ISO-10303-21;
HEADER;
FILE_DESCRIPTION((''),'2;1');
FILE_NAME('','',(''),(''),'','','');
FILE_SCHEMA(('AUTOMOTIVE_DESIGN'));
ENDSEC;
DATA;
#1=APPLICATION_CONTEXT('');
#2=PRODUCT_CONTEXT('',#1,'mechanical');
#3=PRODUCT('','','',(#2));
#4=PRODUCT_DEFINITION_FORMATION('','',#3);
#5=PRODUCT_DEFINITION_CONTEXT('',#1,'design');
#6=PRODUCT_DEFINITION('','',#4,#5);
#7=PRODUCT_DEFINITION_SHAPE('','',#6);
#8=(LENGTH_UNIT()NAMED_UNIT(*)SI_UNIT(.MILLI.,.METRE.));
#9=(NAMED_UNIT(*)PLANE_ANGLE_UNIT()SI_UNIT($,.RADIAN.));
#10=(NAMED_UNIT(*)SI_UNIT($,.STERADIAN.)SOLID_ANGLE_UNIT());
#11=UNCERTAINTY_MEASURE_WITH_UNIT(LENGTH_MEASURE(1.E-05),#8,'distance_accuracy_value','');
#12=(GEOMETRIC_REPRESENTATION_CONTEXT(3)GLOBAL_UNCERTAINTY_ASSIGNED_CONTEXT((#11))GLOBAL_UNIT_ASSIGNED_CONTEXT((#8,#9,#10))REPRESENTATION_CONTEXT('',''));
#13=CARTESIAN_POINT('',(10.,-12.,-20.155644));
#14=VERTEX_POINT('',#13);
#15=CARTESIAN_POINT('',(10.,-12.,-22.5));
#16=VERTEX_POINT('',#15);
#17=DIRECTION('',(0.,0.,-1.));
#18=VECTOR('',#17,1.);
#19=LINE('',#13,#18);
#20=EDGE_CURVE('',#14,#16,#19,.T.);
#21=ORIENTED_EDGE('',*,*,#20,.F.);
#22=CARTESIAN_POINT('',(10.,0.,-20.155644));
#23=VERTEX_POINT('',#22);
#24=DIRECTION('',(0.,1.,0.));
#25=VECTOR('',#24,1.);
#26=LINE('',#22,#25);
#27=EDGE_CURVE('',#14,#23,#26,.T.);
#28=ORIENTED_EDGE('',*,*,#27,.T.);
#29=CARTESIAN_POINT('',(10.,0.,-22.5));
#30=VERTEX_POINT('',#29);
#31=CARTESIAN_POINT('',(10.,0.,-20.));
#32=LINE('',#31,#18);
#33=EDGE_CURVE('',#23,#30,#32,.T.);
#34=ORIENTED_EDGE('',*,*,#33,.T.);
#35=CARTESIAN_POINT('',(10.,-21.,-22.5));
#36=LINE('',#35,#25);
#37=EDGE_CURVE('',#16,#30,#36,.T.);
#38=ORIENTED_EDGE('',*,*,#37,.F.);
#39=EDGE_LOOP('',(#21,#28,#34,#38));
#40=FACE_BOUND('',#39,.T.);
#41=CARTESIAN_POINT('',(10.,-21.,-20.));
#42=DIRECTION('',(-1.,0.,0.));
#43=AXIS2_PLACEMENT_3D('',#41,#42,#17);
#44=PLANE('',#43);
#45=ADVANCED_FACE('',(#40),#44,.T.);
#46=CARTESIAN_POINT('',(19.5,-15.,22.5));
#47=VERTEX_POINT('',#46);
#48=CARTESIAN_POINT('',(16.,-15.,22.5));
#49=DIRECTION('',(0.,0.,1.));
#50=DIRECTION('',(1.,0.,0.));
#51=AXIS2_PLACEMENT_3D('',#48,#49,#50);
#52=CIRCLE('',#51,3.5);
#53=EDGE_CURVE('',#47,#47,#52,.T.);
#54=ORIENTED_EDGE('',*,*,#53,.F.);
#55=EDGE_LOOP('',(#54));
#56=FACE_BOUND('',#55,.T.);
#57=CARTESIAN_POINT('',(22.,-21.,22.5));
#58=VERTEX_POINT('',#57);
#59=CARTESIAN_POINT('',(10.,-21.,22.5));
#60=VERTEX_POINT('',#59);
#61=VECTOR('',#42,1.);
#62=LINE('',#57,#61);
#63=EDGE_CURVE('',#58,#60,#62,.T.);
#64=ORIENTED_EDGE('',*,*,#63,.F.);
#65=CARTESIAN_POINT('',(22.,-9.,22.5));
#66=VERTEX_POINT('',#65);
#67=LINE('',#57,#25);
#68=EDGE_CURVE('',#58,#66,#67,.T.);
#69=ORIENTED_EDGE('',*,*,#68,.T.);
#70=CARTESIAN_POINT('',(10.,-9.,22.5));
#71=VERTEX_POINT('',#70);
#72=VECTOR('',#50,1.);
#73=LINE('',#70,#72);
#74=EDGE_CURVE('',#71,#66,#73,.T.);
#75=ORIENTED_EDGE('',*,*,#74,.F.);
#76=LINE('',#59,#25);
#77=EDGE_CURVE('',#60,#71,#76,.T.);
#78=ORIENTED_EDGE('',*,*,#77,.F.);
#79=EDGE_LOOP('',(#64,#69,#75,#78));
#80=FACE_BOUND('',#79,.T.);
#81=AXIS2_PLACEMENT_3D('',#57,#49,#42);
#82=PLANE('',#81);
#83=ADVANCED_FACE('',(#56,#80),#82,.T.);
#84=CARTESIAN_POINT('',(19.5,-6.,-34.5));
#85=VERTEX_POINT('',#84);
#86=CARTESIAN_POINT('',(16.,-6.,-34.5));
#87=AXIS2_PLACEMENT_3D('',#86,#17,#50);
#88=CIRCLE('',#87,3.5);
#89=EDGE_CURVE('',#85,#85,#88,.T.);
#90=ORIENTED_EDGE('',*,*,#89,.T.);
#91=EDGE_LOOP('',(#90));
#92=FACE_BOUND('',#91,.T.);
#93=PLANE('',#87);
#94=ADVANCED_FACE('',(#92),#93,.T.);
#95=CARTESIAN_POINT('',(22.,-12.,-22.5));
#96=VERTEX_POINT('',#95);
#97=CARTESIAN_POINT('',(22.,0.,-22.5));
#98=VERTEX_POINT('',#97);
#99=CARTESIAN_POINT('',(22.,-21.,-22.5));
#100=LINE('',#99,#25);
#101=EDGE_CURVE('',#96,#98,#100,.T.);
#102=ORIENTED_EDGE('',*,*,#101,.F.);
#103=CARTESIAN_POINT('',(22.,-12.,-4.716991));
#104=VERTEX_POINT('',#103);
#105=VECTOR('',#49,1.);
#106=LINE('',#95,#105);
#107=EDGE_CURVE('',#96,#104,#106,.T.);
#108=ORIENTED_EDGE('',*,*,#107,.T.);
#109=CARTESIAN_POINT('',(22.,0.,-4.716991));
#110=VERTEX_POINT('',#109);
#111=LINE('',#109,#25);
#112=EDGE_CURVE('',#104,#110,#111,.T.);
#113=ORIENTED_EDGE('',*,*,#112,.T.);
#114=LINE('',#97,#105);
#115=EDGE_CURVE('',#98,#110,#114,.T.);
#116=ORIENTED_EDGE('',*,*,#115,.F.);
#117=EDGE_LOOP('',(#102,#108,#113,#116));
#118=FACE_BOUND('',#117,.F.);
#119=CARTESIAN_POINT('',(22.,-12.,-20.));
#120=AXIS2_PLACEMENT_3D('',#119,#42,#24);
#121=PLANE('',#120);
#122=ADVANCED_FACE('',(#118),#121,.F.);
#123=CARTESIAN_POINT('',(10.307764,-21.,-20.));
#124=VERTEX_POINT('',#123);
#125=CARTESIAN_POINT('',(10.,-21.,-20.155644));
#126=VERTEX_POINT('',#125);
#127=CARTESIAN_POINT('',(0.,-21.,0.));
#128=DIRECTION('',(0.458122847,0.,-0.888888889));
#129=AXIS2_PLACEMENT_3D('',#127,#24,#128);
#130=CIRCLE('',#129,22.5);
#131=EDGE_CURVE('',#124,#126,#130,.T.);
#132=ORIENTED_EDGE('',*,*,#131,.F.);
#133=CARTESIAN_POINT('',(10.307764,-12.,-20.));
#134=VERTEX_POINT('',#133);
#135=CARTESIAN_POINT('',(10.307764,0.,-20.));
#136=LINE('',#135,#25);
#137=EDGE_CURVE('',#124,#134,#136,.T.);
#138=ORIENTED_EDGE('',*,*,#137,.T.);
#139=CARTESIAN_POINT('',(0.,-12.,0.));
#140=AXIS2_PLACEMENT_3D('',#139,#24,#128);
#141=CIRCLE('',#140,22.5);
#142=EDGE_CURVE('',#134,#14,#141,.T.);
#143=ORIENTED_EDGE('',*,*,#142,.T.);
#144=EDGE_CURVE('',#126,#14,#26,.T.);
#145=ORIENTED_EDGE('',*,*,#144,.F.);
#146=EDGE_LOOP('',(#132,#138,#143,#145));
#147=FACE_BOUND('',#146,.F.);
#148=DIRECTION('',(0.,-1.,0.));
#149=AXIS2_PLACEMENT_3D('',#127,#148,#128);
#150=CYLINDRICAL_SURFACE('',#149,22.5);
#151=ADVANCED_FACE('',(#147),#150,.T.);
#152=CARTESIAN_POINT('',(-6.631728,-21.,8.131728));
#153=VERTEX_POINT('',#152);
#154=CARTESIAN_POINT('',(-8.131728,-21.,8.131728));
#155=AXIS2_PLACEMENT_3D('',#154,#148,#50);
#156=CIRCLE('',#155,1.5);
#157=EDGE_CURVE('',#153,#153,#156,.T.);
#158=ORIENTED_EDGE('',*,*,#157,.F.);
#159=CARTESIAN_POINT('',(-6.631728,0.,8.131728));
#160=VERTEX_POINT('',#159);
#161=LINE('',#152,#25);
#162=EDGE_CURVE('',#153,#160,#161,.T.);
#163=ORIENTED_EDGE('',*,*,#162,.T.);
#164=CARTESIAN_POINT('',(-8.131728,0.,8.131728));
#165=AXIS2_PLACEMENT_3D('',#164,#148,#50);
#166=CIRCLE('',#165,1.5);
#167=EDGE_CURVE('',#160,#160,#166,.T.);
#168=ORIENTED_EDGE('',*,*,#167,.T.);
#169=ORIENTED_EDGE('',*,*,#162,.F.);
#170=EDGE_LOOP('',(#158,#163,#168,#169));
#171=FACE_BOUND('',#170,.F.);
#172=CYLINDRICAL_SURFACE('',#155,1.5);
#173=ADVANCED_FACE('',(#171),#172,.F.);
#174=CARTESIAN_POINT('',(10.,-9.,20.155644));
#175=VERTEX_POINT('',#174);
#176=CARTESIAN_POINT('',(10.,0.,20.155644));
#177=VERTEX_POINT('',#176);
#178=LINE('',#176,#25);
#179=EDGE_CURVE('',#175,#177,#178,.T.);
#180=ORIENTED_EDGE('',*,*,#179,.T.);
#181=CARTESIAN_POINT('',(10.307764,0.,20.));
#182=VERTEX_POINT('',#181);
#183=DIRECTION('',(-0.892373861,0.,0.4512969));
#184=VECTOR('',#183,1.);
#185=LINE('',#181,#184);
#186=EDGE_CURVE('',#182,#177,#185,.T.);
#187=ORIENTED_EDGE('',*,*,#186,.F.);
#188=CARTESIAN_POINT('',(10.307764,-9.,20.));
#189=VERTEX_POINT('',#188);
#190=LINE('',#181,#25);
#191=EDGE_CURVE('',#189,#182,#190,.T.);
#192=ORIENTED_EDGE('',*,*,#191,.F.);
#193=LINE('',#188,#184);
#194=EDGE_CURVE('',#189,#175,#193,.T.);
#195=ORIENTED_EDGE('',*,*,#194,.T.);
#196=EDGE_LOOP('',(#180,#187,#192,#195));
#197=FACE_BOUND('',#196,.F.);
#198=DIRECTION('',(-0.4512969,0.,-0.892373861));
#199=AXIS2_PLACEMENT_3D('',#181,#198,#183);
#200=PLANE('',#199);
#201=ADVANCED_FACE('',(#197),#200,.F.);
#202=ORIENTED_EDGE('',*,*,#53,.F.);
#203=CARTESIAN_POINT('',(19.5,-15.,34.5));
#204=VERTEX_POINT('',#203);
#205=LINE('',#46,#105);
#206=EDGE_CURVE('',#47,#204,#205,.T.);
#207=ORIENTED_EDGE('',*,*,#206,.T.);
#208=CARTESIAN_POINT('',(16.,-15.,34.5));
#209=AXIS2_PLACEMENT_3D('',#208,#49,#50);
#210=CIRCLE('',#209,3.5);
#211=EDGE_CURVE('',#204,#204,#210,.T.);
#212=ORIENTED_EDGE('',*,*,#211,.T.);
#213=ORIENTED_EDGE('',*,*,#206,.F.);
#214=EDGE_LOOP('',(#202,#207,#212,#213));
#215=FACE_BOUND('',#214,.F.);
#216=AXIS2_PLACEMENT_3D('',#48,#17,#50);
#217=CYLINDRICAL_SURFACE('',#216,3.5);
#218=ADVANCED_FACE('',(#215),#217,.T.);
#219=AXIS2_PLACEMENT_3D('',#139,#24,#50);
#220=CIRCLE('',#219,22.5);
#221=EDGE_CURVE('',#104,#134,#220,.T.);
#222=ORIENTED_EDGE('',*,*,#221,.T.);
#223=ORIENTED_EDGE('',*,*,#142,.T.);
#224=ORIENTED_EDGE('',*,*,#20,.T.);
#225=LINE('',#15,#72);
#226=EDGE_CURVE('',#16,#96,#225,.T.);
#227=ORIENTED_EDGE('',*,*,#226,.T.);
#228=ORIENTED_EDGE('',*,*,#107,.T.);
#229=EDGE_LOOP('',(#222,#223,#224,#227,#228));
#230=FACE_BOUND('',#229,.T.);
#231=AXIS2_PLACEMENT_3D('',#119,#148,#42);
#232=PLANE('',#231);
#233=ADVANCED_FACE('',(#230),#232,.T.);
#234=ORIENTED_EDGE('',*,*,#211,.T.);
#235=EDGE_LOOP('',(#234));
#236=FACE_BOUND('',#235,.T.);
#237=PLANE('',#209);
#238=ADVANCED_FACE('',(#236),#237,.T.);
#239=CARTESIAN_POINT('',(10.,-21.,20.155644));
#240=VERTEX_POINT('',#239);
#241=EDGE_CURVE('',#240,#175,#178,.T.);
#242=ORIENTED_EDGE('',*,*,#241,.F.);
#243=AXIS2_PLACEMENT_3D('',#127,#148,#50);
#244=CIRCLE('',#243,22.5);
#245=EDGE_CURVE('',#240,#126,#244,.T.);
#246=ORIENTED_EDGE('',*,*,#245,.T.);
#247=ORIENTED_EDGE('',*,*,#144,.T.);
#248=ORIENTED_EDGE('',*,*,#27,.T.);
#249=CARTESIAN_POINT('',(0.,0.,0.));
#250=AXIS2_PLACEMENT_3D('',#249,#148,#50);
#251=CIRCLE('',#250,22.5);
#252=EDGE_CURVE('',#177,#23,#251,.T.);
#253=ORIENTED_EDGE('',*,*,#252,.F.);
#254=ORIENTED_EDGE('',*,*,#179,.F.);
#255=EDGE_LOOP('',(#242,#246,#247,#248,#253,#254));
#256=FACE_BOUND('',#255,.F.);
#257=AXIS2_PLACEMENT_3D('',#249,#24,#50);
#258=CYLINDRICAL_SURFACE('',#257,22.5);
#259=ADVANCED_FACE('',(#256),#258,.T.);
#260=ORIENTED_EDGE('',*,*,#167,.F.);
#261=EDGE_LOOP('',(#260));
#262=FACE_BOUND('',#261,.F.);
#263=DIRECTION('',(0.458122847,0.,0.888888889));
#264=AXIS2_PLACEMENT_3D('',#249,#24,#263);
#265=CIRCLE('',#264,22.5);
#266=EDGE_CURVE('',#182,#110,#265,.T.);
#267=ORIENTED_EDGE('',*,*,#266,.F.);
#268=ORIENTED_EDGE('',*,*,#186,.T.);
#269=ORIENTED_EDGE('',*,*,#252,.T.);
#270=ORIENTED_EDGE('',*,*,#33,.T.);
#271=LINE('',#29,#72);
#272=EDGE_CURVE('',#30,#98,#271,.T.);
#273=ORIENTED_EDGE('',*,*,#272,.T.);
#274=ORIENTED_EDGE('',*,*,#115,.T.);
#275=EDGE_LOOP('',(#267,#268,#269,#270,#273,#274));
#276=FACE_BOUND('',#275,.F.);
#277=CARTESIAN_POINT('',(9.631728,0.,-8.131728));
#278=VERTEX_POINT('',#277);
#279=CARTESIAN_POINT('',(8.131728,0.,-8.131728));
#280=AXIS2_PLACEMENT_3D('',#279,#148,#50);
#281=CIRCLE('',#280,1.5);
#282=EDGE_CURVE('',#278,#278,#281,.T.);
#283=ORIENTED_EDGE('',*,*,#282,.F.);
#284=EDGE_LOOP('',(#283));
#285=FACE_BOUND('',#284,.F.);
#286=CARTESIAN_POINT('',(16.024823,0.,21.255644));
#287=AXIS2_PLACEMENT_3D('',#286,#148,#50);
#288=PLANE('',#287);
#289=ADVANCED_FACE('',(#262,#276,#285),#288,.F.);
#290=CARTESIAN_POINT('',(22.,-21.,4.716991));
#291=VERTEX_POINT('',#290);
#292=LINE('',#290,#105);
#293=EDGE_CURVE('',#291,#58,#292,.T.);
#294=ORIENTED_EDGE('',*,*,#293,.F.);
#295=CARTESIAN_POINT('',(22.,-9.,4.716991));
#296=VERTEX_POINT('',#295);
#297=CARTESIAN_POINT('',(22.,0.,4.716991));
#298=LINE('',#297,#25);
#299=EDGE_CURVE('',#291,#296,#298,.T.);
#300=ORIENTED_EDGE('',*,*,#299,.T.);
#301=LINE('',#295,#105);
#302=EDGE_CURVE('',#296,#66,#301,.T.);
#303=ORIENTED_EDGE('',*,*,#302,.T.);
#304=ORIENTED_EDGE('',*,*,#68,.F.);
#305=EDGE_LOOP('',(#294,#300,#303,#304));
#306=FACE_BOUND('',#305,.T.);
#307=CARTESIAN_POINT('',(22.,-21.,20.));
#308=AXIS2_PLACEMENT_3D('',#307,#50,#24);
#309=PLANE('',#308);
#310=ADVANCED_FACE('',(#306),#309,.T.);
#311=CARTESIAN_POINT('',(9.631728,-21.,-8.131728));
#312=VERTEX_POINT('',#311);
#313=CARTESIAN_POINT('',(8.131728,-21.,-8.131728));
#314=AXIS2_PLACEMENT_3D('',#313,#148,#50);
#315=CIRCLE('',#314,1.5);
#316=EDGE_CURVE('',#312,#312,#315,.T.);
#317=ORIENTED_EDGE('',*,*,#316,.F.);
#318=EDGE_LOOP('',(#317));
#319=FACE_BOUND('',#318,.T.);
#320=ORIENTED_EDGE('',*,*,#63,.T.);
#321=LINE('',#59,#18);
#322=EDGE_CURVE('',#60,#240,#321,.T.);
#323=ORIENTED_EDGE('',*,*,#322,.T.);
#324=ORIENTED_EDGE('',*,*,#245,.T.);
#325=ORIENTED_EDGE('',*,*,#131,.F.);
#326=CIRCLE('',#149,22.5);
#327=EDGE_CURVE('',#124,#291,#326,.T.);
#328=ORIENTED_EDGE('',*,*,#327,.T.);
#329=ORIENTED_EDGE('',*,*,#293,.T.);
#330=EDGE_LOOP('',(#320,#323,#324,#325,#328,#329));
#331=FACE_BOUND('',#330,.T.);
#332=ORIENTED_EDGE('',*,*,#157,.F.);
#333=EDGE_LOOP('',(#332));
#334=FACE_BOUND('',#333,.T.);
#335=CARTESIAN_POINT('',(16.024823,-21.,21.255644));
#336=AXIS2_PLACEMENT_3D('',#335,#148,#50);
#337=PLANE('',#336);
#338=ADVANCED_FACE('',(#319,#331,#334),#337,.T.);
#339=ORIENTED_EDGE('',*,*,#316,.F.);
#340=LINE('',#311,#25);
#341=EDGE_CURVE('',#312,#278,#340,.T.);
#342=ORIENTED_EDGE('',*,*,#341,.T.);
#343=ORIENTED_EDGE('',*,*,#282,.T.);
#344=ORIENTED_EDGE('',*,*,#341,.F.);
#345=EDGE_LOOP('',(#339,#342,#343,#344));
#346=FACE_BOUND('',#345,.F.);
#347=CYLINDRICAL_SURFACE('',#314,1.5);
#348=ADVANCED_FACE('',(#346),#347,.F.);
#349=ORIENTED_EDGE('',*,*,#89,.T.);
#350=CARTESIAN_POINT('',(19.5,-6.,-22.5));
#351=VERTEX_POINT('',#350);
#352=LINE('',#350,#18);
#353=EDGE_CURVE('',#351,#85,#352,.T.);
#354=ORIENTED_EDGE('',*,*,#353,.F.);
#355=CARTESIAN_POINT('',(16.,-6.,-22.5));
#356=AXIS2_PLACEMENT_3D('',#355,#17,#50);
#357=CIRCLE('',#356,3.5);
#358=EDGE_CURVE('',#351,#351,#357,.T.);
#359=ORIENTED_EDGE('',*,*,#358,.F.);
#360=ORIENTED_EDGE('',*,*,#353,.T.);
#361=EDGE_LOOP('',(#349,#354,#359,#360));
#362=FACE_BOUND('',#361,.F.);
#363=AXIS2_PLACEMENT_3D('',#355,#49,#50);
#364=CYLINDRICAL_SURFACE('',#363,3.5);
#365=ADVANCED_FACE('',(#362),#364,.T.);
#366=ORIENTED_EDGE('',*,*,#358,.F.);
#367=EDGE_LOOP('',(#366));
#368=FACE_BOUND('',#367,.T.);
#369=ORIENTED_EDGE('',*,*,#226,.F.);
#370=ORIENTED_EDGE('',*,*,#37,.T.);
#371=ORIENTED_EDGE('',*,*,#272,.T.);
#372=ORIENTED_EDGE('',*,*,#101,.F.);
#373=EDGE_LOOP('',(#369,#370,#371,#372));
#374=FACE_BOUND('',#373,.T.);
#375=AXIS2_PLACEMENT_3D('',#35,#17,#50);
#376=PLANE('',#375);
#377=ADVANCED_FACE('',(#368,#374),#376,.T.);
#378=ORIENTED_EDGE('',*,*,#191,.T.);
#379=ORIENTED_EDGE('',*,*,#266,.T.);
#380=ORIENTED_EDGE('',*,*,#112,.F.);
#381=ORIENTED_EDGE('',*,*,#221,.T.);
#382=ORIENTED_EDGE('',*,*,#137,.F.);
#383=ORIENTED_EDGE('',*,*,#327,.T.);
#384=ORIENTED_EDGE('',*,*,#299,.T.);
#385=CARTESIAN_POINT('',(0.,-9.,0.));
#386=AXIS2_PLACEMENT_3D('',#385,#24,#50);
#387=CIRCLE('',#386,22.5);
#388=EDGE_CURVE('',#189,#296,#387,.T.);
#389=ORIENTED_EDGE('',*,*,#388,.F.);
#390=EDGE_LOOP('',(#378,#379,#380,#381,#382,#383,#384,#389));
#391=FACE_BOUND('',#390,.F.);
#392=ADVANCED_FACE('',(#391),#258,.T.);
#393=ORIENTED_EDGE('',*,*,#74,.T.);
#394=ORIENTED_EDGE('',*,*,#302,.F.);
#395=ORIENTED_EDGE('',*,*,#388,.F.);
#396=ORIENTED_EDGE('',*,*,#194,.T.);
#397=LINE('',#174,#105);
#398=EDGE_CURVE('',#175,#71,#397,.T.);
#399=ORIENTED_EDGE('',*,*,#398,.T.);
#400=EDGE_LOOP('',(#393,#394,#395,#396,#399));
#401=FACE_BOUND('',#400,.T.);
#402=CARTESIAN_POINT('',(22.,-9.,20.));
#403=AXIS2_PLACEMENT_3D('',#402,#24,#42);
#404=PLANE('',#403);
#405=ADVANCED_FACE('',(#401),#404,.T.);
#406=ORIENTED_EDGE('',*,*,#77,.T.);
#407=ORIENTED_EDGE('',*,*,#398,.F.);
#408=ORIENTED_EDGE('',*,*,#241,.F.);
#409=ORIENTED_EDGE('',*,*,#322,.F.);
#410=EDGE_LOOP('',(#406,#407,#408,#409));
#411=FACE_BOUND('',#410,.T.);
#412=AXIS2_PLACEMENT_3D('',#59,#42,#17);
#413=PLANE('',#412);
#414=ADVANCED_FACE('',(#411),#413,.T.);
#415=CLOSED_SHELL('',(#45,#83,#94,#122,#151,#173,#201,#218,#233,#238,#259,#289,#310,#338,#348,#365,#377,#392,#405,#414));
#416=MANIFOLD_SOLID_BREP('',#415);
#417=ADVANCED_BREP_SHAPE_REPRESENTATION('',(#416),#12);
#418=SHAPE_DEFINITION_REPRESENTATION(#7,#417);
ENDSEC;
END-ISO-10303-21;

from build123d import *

# Parameters (mm, degrees)
F0_R      = 22.5
F1_DEPTH  = 21
F3_DEPTH  = 21
F6_DEPTH  = 9
F4_R      = 3.5
F7_DEPTH  = 12
F8_DEPTH  = 20
F9_DEPTH  = 9
F11_DEPTH = 20
F10_R     = 3.5
F12_DEPTH = 12
F2_R      = 1.5
F13_DEPTH = 21.001


with BuildPart() as f1:
    # F0 (on Front) → F1 (new body)
    with BuildSketch(Plane.XZ):
        Circle(F0_R)
    extrude(amount=F1_DEPTH)

    # F2 (on face) → F3 (join)
    with BuildSketch(Plane.XZ.offset(21)):
        with BuildLine():
            Line((22, 22.5), (10, 22.5))
            Line((10, 22.5), (10, 20.1556443707))
            ThreePointArc((10, 20.1556443707), (10.1541802531, 20.0784118741), (10.307764064, 20))
            Line((10.307764064, 20), (22, 20))
            Line((22, 20), (22, 22.5))
        make_face()
        with BuildLine():
            ThreePointArc((10.307764064, -20), (10.1541802531, -20.0784118741), (10, -20.1556443707))
            Line((10, -20.1556443707), (10, -22.5))
            Line((10, -22.5), (22, -22.5))
            Line((22, -22.5), (22, -20))
            Line((22, -20), (10.307764064, -20))
        make_face()
        with BuildLine():
            ThreePointArc((10.307764064, 20), (10.1541802531, 20.0784118741), (10, 20.1556443707))
            Line((10, 20.1556443707), (10, 20))
            Line((10, 20), (10.307764064, 20))
        make_face()
        with BuildLine():
            Line((10, -20), (10, -20.1556443707))
            ThreePointArc((10, -20.1556443707), (10.1541802531, -20.0784118741), (10.307764064, -20))
            Line((10.307764064, -20), (10, -20))
        make_face()
    extrude(amount=-F3_DEPTH)

    # F5 (on face) → F6 (cut)
    with BuildSketch(Plane(origin=(0, 0, 0), x_dir=(-1, 0, 0), z_dir=(0, 1, 0))):
        Polygon((-10.307764064, 20), (-10, 20.1556443707), (-10, 22.5), (-22, 22.5), (-22, 20), align=None)
    extrude(amount=-F6_DEPTH, mode=Mode.SUBTRACT)

    # F4 (on face) → F7 (join)
    with BuildSketch(Plane.XY.offset(22.5)):
        with Locations((16, -15)):
            Circle(F4_R)
    extrude(amount=F7_DEPTH)

    # F8 (add): a face of the model
    f8_faces = [f1.faces().sort_by_distance(p)[0] for p in [
        (16.153882032, -15, 20),
    ]]
    extrude(f8_faces, amount=F8_DEPTH)

    # F2 (on face) → F9 (cut)
    with BuildSketch(Plane.XZ.offset(21)):
        with BuildLine():
            ThreePointArc((10.307764064, -20), (10.1541802531, -20.0784118741), (10, -20.1556443707))
            Line((10, -20.1556443707), (10, -22.5))
            Line((10, -22.5), (22, -22.5))
            Line((22, -22.5), (22, -20))
            Line((22, -20), (10.307764064, -20))
        make_face()
    extrude(amount=-F9_DEPTH, mode=Mode.SUBTRACT)

    # F11 (add): a face of the model
    f11_faces = [f1.faces().sort_by_distance(p)[0] for p in [
        (16.153882032, -6, -20),
    ]]
    extrude(f11_faces, amount=F11_DEPTH)

    # F10 (on face) → F12 (join)
    with BuildSketch(Plane(origin=(0, 0, -22.5), x_dir=(1, 0, 0), z_dir=(0, 0, -1))):
        with Locations((16, 6)):
            Circle(F10_R)
    extrude(amount=F12_DEPTH)

    # F2 (on face) → F13 (cut, through all)
    with BuildSketch(Plane.XZ.offset(21)):
        with Locations((8.1317279836, -8.1317279836)):
            Circle(F2_R)
        with Locations((-8.1317279836, 8.1317279836)):
            Circle(F2_R)
    extrude(amount=-F13_DEPTH, mode=Mode.SUBTRACT)


solid = f1.part
